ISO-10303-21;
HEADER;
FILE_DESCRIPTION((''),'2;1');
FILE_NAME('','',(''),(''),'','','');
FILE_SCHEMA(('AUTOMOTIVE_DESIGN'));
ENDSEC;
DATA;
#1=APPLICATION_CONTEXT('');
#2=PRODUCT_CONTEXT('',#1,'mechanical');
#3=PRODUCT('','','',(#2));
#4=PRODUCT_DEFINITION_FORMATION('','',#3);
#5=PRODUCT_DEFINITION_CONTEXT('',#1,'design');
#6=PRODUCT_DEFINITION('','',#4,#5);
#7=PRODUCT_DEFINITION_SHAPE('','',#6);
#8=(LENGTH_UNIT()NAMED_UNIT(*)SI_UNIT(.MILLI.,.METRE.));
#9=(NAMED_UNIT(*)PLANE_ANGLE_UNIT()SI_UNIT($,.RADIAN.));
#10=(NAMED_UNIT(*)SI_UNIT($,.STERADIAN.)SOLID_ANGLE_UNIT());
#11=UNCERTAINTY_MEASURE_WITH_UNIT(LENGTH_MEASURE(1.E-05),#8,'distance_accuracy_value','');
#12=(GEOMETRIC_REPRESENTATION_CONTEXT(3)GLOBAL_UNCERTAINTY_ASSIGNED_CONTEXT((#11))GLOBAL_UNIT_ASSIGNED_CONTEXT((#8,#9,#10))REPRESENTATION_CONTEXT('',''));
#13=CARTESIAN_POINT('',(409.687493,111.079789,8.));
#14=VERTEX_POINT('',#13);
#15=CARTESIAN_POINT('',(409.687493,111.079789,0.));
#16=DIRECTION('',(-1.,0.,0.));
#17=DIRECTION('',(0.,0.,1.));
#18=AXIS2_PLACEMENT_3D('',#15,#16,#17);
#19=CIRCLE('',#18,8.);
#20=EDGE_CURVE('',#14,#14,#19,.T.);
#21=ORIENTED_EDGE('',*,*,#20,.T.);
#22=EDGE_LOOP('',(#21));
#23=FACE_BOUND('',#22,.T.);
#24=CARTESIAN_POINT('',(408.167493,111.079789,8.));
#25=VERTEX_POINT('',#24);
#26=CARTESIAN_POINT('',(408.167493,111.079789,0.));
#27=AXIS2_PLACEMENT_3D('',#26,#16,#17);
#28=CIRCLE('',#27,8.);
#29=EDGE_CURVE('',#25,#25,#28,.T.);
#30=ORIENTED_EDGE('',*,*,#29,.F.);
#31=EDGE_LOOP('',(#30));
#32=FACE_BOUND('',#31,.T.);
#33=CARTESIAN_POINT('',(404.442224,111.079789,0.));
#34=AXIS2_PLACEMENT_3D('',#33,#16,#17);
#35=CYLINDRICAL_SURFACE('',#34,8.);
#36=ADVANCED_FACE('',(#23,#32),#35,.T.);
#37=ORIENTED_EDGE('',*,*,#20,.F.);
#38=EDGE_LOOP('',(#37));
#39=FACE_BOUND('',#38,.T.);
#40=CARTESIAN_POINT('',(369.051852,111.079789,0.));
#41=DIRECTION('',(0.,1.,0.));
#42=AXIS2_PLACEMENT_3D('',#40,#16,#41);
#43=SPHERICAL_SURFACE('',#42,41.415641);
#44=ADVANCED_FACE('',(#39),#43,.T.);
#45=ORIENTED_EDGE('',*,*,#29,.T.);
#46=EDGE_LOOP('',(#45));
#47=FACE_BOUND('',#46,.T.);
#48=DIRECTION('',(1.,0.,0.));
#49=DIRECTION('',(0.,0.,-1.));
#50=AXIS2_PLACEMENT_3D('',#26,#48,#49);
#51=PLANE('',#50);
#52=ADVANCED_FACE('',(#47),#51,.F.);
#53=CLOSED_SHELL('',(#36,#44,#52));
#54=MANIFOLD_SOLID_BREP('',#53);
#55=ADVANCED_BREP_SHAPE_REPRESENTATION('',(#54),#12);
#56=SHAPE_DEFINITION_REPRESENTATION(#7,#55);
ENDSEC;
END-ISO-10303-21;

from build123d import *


with BuildPart() as part:
    # 草图2 → 旋转1 (revolve)
    with BuildSketch(Plane.XY):
        with BuildLine():
            Line((408.167492842, 111.079788522), (408.167492842, 119.079788522))
            Line((408.167492842, 119.079788522), (409.687492842, 119.079788522))
            ThreePointArc((409.687492842, 119.079788522), (410.272031602, 115.098756051), (410.467492842, 111.079788522))
            Line((410.467492842, 111.079788522), (408.167492842, 111.079788522))
        make_face()
    revolve(axis=Axis((404.442224222, 111.079788522, 0), (1, 0, 0)))


solid = part.part
